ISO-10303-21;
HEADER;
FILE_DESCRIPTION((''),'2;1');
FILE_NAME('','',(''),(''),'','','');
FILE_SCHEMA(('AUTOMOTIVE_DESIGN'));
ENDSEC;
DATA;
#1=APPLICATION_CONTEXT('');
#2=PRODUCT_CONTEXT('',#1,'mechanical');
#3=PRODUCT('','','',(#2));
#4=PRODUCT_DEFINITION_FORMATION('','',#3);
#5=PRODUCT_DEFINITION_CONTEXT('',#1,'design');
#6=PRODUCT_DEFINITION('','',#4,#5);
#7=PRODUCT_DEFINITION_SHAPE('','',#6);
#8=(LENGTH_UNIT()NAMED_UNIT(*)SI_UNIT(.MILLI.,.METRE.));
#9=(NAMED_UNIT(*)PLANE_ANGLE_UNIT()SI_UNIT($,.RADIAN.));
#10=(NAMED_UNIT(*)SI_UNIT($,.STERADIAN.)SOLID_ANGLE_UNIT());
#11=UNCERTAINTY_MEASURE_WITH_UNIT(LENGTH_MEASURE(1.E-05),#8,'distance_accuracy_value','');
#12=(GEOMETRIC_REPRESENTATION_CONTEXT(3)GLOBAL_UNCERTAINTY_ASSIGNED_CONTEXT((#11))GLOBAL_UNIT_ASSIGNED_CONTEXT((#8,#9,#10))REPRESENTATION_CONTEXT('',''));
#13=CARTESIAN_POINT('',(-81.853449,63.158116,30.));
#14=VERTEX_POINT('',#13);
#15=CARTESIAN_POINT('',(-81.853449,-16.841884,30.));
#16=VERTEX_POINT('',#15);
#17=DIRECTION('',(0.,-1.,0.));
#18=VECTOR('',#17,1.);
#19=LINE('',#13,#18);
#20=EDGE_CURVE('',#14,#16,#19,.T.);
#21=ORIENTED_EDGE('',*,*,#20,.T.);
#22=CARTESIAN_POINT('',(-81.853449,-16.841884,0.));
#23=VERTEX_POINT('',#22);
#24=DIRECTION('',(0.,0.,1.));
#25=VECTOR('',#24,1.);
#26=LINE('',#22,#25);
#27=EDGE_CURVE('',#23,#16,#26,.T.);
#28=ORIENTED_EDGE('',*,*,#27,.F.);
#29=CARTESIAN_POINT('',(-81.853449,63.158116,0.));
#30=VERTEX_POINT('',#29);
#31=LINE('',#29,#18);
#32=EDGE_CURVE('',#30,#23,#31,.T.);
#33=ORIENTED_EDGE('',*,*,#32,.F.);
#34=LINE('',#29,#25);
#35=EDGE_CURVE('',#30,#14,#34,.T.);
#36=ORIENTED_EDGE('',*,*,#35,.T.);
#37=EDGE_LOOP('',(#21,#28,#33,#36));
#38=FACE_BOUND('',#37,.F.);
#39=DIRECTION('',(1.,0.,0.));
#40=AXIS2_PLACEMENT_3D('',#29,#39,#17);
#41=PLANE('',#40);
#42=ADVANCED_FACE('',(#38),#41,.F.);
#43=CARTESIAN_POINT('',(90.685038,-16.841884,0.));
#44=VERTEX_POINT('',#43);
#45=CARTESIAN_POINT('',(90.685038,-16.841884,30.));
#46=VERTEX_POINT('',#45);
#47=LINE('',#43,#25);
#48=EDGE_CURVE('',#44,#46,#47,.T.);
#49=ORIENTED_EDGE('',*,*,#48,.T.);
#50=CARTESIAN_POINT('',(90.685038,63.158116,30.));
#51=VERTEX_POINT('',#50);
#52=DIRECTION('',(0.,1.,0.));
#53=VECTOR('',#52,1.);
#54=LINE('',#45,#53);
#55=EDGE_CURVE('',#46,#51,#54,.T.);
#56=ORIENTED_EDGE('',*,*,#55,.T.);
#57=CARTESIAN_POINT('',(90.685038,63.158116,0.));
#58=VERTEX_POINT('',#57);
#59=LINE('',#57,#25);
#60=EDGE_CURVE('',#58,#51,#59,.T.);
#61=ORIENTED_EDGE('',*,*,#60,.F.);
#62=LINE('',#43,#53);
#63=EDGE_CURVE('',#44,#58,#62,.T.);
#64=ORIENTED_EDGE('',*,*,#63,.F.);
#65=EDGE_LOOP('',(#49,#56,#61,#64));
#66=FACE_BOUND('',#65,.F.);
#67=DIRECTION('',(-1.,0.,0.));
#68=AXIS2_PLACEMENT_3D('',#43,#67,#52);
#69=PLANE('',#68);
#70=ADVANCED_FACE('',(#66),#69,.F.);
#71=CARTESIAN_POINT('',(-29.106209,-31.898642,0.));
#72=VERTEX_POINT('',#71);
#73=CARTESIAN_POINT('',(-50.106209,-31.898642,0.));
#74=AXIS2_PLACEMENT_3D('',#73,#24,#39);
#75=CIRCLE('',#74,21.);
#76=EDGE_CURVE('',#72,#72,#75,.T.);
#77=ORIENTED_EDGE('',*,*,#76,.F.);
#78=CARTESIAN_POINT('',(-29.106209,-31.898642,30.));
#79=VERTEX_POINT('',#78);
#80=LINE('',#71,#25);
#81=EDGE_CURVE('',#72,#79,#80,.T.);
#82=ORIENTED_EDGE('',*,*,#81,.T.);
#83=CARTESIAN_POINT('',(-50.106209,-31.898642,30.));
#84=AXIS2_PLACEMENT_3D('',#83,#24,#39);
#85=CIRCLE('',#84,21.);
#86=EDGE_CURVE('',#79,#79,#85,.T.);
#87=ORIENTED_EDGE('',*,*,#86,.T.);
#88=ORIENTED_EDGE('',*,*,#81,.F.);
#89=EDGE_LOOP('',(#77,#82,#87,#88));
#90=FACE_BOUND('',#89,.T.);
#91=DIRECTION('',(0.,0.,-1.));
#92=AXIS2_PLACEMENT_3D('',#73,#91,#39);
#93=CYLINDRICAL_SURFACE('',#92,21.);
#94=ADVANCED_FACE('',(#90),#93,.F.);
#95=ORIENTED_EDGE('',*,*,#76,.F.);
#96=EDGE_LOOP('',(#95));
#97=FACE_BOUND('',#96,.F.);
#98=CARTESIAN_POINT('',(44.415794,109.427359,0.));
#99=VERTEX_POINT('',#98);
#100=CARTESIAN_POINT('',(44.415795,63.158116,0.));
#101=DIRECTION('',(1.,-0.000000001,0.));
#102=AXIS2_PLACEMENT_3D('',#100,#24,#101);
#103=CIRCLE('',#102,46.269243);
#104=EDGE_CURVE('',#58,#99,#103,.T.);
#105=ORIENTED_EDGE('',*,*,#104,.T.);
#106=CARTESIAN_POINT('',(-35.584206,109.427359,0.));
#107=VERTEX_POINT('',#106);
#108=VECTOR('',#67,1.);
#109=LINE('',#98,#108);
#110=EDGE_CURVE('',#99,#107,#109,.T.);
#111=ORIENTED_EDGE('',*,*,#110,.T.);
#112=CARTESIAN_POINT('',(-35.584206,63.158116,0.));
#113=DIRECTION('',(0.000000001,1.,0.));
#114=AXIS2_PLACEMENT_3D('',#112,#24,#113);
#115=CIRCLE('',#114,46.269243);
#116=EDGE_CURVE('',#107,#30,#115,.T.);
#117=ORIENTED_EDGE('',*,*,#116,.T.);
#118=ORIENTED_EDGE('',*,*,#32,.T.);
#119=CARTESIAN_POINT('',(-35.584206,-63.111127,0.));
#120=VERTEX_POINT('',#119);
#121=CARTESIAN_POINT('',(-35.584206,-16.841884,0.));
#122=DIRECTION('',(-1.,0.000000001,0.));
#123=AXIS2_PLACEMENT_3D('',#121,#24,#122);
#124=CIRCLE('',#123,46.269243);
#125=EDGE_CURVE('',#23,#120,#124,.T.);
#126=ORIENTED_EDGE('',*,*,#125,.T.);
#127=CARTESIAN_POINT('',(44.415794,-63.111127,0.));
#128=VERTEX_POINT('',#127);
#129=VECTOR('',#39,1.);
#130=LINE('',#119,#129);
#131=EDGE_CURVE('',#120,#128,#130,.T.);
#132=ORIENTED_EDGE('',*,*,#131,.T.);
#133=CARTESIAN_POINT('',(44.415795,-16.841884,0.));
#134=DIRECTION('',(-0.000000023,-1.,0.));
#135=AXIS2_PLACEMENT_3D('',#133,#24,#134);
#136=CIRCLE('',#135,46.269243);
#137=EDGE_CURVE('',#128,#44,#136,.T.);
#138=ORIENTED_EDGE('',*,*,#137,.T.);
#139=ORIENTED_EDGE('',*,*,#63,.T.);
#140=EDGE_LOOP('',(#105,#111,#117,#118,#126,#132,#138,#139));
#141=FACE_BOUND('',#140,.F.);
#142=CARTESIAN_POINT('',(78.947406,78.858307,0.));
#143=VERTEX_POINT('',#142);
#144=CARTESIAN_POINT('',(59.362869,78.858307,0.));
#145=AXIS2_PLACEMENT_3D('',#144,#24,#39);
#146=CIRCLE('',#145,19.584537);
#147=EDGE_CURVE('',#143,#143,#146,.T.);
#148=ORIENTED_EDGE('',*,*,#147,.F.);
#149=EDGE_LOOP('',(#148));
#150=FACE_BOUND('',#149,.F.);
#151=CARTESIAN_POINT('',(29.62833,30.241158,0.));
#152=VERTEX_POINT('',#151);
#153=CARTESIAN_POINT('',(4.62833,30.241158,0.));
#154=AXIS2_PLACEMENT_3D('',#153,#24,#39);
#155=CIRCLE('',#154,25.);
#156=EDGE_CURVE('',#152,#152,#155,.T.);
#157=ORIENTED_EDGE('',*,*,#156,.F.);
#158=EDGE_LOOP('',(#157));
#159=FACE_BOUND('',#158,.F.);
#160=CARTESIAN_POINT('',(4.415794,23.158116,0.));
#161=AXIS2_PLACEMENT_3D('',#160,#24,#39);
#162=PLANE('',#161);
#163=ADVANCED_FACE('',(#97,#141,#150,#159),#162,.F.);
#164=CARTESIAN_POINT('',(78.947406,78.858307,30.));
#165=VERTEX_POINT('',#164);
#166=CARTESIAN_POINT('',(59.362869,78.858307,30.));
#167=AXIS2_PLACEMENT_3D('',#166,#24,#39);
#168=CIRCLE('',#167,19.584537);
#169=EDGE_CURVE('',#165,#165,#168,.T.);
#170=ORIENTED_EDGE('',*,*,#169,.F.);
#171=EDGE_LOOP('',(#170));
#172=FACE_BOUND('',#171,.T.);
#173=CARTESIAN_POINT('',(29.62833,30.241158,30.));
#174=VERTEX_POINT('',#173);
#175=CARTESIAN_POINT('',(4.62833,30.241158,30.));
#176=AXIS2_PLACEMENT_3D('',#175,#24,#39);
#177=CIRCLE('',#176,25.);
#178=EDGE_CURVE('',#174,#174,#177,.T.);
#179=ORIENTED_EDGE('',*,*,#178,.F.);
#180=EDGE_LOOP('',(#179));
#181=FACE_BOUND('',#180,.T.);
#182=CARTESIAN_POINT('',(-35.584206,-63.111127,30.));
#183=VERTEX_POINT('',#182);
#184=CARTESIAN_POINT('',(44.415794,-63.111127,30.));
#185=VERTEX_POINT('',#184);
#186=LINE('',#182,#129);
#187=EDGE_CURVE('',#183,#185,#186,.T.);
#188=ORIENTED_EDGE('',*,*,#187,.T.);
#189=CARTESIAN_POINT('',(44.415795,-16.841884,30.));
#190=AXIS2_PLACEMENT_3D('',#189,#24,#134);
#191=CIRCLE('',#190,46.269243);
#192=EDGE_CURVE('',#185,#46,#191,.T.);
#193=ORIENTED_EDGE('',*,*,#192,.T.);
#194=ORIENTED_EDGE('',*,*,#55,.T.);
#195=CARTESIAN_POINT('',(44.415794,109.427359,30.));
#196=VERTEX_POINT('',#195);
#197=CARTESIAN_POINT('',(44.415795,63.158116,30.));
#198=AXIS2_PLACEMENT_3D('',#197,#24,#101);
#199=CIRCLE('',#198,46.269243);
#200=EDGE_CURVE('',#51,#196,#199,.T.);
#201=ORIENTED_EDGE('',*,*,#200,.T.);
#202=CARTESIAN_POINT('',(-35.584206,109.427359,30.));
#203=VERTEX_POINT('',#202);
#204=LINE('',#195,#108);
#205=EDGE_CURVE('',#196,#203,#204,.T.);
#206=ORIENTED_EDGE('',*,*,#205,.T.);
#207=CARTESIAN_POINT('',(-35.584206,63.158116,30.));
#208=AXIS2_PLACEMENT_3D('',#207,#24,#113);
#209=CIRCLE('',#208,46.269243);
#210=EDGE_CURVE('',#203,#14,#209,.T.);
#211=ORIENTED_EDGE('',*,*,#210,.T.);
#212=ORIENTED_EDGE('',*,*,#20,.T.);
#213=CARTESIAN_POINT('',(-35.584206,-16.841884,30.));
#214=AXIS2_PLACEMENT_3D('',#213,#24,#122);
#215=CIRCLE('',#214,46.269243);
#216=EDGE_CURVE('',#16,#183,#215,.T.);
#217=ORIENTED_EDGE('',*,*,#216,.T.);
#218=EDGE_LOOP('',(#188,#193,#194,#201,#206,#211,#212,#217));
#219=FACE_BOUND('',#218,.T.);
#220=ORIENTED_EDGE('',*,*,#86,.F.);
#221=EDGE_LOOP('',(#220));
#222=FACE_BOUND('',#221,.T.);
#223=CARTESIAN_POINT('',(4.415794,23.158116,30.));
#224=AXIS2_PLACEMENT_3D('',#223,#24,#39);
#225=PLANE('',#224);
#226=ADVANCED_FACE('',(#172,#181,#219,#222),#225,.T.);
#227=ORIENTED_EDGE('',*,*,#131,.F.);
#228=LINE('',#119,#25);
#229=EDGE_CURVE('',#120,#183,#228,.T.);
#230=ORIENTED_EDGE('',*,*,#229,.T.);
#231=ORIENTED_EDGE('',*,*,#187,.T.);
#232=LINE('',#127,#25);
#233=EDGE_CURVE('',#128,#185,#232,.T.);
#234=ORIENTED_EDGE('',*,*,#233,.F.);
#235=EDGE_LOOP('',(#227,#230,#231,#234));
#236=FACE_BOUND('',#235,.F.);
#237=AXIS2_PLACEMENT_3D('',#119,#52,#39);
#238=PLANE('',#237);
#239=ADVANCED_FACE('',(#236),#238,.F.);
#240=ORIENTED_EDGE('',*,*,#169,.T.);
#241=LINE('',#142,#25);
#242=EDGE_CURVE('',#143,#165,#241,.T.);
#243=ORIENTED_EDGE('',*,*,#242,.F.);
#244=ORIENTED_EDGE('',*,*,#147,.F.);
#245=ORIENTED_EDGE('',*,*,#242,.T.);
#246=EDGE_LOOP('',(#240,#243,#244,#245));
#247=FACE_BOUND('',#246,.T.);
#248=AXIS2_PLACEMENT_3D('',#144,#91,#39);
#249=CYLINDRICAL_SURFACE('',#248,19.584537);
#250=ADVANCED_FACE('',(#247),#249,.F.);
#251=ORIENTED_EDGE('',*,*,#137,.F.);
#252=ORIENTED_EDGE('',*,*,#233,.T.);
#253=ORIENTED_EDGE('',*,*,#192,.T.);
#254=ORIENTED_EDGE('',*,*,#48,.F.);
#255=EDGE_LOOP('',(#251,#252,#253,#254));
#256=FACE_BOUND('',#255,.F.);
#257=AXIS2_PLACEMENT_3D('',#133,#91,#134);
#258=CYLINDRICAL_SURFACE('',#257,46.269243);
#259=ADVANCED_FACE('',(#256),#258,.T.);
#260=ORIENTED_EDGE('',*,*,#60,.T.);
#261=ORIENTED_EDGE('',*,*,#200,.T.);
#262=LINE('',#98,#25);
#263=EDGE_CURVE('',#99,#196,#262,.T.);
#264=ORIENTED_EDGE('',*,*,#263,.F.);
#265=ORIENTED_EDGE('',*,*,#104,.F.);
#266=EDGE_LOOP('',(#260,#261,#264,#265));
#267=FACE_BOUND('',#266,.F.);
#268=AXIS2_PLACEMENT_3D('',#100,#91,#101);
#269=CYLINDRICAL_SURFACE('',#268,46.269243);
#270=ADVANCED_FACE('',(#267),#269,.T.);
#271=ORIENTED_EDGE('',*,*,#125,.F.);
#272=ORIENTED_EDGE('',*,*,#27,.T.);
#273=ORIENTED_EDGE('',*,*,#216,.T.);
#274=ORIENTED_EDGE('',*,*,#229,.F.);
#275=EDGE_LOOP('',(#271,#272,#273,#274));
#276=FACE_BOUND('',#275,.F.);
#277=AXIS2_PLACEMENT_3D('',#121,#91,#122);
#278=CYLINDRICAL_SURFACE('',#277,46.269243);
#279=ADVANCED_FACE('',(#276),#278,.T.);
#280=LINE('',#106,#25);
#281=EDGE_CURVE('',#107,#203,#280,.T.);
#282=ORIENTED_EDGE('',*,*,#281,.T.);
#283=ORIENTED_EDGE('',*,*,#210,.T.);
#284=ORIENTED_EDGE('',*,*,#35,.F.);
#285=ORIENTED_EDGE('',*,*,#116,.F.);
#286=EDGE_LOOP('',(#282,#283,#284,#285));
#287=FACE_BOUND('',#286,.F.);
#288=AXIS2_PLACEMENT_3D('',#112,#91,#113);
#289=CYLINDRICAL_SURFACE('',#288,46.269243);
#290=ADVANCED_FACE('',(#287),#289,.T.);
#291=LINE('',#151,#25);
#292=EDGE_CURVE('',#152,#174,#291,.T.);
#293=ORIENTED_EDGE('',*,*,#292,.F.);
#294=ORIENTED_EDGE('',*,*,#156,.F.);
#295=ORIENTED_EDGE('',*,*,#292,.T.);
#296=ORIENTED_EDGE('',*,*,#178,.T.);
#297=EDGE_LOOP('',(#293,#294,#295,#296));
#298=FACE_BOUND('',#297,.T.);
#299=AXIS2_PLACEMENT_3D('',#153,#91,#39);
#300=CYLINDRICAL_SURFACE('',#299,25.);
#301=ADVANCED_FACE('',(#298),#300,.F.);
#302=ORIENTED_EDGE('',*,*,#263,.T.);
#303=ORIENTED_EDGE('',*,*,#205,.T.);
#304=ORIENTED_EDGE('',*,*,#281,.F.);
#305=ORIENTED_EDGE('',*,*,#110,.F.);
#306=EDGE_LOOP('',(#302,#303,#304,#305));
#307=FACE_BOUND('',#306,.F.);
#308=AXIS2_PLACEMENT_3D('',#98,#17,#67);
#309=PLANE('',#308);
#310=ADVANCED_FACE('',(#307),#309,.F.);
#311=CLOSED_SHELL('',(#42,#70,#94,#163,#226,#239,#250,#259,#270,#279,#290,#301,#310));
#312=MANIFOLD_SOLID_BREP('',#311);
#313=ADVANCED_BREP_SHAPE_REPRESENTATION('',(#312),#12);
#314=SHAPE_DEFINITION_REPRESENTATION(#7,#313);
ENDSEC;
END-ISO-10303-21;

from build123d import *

# Parameters (mm, degrees)
SKETCH_R     = 25
SKETCH_R_2   = 21
SKETCH_R_3   = 19.584537
PAD_DEPTH    = 30
PAD001_DEPTH = 30


with BuildPart() as part:
    # Sketch → Pad (new body)
    with BuildSketch(Plane.XY):
        with BuildLine():
            Line((-35.584206, -63.111127), (44.415794, -63.111127))
            ThreePointArc((44.415794, -63.111127), (77.13309, -49.55918), (90.685038, -16.841884))
            Line((90.685038, -16.841884), (90.685038, 63.158116))
            ThreePointArc((90.685038, 63.158116), (77.13309, 95.875412), (44.415794, 109.427359))
            Line((44.415794, 109.427359), (-35.584206, 109.427359))
            ThreePointArc((-35.584206, 109.427359), (-68.301501, 95.875412), (-81.853449, 63.158116))
            Line((-81.853449, 63.158116), (-81.853449, -16.841884))
            ThreePointArc((-81.853449, -16.841884), (-68.301501, -49.55918), (-35.584206, -63.111127))
        make_face()
        with Locations((4.62833, 30.241158)):
            Circle(SKETCH_R, mode=Mode.SUBTRACT)
        with Locations((-50.106209, -31.898642)):
            Circle(SKETCH_R_2, mode=Mode.SUBTRACT)
        with Locations((59.362869, 78.858307)):
            Circle(SKETCH_R_3, mode=Mode.SUBTRACT)
    extrude(amount=PAD_DEPTH)

    # Sketch → Pad001 (join)
    with BuildSketch(Plane.XY):
        with BuildLine():
            Line((-35.584206, -63.111127), (44.415794, -63.111127))
            ThreePointArc((44.415794, -63.111127), (77.13309, -49.55918), (90.685038, -16.841884))
            Line((90.685038, -16.841884), (90.685038, 63.158116))
            ThreePointArc((90.685038, 63.158116), (77.13309, 95.875412), (44.415794, 109.427359))
            Line((44.415794, 109.427359), (-35.584206, 109.427359))
            ThreePointArc((-35.584206, 109.427359), (-68.301501, 95.875412), (-81.853449, 63.158116))
            Line((-81.853449, 63.158116), (-81.853449, -16.841884))
            ThreePointArc((-81.853449, -16.841884), (-68.301501, -49.55918), (-35.584206, -63.111127))
        make_face()
        with Locations((4.62833, 30.241158)):
            Circle(SKETCH_R, mode=Mode.SUBTRACT)
        with Locations((-50.106209, -31.898642)):
            Circle(SKETCH_R_2, mode=Mode.SUBTRACT)
        with Locations((59.362869, 78.858307)):
            Circle(SKETCH_R_3, mode=Mode.SUBTRACT)
    extrude(amount=PAD001_DEPTH)


solid = part.part
